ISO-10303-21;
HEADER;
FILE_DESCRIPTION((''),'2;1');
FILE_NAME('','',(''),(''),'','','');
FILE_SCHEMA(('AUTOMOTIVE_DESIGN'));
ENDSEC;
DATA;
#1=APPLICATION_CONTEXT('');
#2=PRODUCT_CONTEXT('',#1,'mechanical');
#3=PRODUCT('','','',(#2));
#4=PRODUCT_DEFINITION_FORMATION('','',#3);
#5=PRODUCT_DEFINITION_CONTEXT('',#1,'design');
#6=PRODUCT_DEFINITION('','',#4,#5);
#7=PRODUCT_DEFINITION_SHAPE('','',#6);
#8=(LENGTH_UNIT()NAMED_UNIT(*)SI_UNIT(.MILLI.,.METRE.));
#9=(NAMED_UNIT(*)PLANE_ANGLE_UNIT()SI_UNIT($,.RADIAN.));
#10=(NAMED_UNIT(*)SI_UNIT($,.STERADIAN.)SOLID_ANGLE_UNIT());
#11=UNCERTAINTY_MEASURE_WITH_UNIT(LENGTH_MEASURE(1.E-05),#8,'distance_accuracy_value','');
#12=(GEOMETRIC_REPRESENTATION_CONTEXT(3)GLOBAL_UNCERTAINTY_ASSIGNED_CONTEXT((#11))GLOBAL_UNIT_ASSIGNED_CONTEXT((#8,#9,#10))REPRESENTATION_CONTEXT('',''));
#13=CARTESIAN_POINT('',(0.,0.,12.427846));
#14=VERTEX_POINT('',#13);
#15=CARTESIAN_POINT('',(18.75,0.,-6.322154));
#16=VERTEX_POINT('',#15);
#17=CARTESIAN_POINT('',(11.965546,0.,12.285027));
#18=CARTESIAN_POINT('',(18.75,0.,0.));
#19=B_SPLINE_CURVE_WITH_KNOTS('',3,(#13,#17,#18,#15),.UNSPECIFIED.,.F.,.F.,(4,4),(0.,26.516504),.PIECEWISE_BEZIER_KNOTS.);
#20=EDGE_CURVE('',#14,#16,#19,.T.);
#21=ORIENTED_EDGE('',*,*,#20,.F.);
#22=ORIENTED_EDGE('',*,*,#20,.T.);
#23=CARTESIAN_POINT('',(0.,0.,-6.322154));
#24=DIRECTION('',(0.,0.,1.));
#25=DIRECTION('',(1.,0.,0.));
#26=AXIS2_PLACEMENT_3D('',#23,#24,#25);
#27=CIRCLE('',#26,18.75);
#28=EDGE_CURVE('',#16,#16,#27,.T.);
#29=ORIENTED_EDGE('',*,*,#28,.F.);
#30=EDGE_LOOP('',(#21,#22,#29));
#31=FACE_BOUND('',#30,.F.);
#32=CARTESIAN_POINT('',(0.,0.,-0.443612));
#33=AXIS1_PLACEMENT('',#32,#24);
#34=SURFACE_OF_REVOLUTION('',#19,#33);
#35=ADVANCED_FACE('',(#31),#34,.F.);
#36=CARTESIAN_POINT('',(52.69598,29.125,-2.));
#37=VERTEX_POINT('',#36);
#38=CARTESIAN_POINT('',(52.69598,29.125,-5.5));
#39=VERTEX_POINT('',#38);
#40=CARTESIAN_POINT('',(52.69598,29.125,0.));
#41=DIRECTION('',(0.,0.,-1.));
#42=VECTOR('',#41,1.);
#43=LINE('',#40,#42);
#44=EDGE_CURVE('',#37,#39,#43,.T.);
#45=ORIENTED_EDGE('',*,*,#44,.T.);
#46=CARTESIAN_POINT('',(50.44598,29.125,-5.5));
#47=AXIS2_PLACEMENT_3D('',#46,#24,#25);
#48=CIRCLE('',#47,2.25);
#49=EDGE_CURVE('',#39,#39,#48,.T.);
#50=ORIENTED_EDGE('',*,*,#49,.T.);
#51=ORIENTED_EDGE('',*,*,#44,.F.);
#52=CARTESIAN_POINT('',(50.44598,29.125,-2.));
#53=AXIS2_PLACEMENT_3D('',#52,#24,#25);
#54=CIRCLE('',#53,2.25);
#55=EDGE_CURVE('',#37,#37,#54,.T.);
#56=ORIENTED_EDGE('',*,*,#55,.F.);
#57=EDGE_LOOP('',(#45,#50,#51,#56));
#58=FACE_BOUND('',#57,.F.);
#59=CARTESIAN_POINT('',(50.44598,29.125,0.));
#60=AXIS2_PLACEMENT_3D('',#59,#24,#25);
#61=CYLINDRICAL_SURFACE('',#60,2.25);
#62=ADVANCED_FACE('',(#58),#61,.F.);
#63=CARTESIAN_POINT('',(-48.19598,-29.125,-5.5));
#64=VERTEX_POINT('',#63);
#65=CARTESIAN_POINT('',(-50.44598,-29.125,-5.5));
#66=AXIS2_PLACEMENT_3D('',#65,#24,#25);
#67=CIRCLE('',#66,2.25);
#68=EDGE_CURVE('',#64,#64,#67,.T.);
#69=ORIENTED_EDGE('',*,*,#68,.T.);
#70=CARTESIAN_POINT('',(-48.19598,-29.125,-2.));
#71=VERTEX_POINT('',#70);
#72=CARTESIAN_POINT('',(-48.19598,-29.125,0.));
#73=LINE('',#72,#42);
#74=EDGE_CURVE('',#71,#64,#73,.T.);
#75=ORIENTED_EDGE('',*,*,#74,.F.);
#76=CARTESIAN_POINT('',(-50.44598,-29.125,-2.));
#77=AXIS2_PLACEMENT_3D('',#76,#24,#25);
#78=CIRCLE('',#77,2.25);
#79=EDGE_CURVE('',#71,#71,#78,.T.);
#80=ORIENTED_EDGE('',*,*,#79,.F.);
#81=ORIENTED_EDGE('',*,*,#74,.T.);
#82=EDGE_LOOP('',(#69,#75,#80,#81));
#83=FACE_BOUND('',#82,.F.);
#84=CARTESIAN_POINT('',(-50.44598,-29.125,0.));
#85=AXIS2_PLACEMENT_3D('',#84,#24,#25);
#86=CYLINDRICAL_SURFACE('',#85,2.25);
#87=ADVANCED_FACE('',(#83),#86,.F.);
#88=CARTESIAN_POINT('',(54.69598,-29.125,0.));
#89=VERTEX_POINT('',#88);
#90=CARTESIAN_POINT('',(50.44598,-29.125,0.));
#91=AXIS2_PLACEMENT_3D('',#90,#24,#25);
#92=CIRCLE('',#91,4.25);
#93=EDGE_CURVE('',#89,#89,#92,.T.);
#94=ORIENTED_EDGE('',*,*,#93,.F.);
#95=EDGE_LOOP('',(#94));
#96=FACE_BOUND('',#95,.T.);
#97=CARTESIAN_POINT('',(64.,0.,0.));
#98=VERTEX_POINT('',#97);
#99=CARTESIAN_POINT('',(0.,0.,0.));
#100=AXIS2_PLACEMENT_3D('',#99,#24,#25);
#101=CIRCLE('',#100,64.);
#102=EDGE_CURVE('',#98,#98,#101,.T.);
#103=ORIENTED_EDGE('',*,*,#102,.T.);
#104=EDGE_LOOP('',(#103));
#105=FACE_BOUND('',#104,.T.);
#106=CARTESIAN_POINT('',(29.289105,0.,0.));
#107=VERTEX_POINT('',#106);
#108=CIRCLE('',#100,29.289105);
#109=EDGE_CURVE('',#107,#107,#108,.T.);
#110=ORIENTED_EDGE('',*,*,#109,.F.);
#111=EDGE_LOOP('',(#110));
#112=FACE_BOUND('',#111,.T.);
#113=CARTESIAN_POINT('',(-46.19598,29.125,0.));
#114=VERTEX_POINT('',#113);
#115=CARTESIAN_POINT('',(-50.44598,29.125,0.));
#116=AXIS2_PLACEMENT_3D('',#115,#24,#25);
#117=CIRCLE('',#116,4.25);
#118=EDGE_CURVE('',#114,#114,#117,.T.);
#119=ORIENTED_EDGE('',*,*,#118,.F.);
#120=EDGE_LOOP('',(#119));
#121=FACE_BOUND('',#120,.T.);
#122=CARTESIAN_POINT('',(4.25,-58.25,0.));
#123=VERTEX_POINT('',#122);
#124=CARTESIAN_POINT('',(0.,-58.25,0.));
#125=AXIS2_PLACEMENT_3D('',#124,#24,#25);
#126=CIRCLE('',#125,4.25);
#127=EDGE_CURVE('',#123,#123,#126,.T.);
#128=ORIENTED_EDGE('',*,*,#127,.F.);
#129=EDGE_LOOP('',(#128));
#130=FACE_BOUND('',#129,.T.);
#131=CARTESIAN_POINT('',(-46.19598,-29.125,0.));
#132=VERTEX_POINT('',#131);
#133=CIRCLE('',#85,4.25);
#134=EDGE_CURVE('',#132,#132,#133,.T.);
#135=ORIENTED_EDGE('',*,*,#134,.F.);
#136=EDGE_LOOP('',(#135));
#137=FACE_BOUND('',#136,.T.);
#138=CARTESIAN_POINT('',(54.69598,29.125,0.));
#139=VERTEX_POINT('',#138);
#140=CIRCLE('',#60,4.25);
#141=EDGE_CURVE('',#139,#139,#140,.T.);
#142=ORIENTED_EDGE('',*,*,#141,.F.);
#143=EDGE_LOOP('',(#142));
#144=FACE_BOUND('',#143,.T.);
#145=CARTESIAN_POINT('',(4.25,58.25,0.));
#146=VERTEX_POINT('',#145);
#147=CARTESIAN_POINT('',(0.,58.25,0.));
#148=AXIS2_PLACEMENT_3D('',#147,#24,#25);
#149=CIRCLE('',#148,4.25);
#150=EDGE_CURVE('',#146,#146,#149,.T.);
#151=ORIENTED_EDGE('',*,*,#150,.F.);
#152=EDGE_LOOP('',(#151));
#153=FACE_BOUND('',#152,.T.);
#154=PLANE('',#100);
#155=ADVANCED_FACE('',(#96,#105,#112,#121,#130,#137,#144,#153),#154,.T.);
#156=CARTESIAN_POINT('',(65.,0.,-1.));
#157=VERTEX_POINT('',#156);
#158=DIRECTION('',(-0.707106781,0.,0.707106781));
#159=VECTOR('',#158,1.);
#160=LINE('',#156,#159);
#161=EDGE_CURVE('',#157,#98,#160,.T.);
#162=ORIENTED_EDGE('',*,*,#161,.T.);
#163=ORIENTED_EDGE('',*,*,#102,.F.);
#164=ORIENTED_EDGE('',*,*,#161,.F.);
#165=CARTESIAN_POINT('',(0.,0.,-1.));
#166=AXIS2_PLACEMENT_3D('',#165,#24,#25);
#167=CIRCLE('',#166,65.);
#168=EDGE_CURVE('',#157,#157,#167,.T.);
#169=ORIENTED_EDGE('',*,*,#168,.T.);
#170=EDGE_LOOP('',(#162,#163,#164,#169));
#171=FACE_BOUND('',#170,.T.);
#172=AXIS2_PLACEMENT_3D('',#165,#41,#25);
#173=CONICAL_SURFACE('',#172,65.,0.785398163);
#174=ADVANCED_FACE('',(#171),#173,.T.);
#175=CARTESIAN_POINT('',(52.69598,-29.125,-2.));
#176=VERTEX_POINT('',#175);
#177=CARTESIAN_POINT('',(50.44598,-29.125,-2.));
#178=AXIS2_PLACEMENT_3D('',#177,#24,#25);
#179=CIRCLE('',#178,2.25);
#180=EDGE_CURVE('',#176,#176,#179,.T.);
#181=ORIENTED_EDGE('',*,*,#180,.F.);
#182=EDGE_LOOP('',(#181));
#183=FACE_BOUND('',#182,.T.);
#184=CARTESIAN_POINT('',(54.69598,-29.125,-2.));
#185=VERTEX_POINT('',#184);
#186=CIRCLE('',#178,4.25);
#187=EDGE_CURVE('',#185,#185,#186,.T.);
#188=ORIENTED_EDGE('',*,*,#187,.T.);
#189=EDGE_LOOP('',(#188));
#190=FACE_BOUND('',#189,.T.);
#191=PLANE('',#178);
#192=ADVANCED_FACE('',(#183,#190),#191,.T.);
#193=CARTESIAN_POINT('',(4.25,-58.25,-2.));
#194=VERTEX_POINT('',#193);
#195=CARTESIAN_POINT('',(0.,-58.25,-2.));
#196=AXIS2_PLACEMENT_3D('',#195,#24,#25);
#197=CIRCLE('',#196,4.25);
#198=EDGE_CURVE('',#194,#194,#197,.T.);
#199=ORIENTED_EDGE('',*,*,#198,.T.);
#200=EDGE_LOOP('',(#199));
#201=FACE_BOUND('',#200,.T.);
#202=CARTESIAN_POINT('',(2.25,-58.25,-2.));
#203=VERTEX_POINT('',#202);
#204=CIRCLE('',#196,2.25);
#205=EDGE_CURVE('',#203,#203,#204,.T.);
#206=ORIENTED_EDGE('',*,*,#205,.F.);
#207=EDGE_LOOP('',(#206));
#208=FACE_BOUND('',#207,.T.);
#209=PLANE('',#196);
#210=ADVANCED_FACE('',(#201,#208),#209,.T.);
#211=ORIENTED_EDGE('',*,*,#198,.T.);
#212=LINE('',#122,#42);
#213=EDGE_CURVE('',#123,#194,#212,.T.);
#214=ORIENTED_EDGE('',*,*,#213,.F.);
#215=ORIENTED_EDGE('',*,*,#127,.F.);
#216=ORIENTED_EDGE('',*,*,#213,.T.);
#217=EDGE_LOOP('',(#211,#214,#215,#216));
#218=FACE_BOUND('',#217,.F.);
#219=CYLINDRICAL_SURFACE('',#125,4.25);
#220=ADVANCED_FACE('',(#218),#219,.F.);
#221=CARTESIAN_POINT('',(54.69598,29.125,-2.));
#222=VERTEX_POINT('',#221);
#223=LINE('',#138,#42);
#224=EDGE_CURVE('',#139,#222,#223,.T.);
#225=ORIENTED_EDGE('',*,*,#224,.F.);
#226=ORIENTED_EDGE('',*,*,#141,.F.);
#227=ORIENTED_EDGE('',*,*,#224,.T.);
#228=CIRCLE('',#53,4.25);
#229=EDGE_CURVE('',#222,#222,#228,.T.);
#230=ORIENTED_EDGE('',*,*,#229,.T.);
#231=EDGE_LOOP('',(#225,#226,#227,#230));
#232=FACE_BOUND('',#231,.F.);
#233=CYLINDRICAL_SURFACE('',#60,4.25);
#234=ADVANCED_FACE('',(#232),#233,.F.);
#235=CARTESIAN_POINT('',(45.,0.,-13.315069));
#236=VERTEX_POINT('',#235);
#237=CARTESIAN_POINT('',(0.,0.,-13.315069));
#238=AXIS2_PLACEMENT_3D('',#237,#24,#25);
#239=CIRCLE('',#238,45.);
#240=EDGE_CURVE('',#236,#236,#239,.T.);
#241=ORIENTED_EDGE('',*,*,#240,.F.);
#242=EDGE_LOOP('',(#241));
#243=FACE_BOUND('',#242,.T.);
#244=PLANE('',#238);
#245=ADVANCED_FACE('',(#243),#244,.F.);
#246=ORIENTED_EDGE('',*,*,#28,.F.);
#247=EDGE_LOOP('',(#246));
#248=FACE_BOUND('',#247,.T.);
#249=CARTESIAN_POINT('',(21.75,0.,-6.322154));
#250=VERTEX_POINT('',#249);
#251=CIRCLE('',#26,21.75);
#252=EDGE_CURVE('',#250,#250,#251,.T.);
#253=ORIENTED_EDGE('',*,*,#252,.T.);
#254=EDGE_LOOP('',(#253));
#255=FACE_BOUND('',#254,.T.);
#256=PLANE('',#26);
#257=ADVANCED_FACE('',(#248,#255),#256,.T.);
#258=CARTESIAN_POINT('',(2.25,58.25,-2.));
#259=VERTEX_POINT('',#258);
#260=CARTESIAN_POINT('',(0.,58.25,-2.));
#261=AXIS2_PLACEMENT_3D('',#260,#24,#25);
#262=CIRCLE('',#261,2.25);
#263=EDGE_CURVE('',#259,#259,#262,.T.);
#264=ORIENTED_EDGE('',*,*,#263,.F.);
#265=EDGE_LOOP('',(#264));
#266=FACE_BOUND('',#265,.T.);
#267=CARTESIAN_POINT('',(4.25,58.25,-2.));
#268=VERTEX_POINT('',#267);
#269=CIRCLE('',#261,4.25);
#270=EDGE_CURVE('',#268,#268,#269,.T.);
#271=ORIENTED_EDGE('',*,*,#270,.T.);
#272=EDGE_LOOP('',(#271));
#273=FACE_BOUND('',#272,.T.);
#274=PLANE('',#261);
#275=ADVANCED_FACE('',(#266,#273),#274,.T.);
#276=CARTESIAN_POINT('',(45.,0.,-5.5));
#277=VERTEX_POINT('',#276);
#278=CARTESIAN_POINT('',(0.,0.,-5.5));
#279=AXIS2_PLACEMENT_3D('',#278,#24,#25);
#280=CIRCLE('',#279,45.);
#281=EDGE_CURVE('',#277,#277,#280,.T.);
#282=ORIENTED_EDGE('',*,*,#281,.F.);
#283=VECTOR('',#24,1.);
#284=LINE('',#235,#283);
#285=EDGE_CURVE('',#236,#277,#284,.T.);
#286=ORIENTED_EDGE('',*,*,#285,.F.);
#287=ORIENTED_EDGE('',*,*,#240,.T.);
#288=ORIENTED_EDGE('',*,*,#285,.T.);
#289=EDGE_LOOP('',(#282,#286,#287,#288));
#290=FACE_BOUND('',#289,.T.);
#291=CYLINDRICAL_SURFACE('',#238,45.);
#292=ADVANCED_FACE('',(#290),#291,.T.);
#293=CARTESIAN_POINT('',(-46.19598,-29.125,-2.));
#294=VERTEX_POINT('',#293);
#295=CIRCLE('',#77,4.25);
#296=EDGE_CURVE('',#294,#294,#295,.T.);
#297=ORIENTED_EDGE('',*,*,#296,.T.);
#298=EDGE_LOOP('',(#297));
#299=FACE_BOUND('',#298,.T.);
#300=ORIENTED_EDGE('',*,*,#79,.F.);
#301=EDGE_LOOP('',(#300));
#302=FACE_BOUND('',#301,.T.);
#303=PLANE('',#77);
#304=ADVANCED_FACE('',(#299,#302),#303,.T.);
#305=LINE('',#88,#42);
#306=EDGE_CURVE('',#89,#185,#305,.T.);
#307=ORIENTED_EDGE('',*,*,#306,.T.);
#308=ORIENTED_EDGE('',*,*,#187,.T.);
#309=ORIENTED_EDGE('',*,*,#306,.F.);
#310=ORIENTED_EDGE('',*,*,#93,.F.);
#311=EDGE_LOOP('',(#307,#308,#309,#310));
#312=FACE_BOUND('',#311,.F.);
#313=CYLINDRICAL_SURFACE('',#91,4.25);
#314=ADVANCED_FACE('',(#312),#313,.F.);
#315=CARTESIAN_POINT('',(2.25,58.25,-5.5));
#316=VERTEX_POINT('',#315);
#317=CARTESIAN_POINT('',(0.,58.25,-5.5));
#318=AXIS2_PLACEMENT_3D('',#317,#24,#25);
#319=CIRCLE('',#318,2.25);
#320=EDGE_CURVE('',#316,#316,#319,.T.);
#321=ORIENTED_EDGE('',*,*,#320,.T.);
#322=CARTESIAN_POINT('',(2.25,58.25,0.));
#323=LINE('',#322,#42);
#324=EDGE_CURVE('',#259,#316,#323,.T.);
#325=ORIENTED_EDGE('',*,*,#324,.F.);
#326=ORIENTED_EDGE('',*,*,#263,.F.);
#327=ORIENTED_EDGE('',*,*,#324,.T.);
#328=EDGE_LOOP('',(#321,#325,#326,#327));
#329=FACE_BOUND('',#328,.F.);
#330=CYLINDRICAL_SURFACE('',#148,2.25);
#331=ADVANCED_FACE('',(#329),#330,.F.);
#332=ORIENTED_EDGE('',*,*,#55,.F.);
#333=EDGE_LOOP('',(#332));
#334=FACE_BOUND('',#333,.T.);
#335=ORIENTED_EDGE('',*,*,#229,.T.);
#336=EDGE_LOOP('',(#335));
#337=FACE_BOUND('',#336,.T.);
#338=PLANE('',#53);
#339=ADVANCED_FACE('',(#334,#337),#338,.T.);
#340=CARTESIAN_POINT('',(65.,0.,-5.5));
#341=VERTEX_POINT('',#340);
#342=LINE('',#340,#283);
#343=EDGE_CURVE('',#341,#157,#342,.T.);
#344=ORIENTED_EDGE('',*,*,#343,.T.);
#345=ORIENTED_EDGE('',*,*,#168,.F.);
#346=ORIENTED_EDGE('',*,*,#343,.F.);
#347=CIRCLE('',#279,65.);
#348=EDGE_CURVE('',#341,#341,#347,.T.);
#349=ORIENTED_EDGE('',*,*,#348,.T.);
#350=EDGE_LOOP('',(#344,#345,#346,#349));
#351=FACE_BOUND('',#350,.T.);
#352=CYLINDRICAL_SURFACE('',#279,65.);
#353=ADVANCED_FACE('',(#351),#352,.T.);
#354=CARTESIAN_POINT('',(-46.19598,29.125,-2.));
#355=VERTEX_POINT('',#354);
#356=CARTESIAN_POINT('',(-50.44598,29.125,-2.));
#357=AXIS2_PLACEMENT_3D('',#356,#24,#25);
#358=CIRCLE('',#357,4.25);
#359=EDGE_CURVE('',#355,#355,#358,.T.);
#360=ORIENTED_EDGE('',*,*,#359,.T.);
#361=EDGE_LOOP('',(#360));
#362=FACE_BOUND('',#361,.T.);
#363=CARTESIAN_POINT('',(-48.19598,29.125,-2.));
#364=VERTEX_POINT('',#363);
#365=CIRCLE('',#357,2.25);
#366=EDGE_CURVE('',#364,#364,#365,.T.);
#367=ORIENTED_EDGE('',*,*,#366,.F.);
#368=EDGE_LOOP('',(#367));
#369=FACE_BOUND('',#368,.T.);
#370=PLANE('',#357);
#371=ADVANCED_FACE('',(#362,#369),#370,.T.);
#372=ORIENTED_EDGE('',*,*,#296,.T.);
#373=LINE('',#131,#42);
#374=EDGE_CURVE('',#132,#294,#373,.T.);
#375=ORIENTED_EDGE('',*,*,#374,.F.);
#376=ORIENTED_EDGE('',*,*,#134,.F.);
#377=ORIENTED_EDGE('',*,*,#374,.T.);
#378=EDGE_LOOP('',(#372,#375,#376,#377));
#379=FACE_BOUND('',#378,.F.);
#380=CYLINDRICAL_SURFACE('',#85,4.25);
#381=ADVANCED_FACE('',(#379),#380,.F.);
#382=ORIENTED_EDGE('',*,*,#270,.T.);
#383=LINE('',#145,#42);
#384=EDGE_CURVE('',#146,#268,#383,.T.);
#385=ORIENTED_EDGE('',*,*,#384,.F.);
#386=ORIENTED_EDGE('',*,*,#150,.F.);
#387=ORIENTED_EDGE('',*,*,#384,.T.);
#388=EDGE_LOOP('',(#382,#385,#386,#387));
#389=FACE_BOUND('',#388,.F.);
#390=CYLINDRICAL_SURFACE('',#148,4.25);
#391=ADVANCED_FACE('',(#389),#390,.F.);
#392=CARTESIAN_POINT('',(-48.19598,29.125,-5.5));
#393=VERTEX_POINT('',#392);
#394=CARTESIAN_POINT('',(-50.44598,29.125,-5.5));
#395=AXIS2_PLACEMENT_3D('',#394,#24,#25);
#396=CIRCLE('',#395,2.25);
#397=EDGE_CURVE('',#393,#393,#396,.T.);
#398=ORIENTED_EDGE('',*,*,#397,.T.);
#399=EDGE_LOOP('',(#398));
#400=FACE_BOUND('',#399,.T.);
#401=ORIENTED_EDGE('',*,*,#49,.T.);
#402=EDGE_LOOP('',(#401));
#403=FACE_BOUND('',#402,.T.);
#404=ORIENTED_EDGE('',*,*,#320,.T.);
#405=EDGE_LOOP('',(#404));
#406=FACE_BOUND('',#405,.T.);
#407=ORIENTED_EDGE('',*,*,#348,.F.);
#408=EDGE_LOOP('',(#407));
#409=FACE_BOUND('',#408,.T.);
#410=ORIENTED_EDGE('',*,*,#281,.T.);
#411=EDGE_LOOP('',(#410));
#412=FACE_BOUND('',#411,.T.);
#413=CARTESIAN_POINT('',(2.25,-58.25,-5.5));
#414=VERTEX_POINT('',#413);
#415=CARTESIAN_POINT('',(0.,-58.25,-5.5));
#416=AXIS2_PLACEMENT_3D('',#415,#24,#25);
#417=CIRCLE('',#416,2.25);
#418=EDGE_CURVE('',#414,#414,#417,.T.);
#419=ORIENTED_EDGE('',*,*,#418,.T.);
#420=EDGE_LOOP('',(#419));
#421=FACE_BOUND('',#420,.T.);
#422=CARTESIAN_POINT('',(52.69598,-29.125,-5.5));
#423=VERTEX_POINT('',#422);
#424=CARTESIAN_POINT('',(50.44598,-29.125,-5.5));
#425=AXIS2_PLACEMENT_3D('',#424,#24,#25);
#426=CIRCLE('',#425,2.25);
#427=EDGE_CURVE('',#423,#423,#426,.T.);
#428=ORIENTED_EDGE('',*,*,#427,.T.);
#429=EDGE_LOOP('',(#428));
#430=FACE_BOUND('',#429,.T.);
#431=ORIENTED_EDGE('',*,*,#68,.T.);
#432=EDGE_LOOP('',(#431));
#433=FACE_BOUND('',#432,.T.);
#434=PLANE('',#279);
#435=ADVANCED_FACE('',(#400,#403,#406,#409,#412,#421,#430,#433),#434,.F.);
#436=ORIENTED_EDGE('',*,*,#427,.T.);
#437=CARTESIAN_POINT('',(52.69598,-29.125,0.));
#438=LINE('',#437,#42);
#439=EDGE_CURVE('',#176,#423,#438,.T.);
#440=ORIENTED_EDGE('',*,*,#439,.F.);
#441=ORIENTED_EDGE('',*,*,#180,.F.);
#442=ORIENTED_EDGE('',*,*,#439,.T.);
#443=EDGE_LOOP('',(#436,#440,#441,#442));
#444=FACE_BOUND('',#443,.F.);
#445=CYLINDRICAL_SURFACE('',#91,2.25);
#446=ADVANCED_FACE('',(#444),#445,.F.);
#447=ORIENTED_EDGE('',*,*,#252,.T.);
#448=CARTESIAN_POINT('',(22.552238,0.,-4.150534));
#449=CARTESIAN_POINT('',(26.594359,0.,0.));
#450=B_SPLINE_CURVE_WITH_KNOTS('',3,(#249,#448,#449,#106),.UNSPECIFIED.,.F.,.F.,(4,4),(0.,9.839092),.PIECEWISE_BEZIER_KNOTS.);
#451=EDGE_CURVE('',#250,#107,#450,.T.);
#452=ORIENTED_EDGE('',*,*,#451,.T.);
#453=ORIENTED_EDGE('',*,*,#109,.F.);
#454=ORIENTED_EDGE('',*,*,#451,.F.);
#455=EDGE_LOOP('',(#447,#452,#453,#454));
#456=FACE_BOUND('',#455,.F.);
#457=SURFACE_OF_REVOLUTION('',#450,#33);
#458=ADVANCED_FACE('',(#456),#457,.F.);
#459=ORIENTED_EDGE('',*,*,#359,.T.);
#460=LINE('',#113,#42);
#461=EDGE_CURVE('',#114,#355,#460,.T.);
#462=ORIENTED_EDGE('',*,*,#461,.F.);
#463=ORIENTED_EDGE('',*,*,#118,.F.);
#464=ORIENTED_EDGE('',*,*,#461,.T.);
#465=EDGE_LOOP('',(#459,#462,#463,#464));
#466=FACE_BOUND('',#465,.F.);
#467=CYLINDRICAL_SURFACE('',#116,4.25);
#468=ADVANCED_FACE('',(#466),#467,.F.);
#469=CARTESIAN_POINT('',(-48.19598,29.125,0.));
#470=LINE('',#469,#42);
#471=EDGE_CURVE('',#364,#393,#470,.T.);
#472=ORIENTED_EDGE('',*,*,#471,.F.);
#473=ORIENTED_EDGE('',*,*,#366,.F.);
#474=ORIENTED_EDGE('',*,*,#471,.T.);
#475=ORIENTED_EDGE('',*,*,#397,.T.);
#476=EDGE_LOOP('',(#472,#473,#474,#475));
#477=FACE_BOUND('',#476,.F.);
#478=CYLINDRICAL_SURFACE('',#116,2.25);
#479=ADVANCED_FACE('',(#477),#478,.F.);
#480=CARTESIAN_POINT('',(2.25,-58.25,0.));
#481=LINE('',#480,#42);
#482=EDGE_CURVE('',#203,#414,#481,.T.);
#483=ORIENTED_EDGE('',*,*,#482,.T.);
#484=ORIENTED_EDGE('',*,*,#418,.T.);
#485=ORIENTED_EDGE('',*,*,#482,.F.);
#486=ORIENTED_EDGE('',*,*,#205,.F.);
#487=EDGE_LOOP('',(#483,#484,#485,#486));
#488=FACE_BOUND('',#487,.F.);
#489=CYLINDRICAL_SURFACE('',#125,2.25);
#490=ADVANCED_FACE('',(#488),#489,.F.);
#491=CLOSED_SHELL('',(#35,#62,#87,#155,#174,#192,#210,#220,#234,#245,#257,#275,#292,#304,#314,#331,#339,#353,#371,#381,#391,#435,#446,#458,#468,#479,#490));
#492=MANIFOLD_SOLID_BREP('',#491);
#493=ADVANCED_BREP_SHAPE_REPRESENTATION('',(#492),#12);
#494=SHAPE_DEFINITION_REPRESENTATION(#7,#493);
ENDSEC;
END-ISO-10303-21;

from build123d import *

# Parameters (mm, degrees)
F2_R     = 2.25
F3_DEPTH = 25
F2_R_2   = 4.25
F4_DEPTH = 2
F5_SIZE  = 1


with BuildPart() as f1:
    # F0 (on Front) → F1 (revolve)
    with BuildSketch(Plane.XZ):
        with BuildLine():
            Line((65, -5.5), (65, 0))
            Line((65, 0), (29.289105, 0))
            add(Edge.make_bspline(
                [(21.75, -6.322154), (22.552238, -4.150534), (26.594359, 0), (29.289105, 0)],
                knots=[0, 0, 0, 0, 9.839092, 9.839092, 9.839092, 9.839092], degree=3))
            Line((21.75, -6.322154), (18.75, -6.322154))
            add(Edge.make_bspline(
                [(0, 12.427846), (11.965546, 12.285027), (18.75, 0), (18.75, -6.322154)],
                knots=[0, 0, 0, 0, 26.516504, 26.516504, 26.516504, 26.516504], degree=3))
            Line((0, 12.427846), (0, -13.315069))
            Line((0, -13.315069), (45, -13.315069))
            Line((45, -13.315069), (45, -5.5))
            Line((45, -5.5), (65, -5.5))
        make_face()
    revolve(axis=Axis((0, 0, -0.443612), (0, 0, 1)))

    # F2 (on face) → F3 (cut)
    with BuildSketch(Plane.XY):
        with Locations((-50.44598, 29.125)):
            Circle(F2_R)
        with Locations((0, 58.25)):
            Circle(F2_R)
        with Locations((50.44598, 29.125)):
            Circle(F2_R)
        with Locations((50.44598, -29.125)):
            Circle(F2_R)
        with Locations((0, -58.25)):
            Circle(F2_R)
        with Locations((-50.44598, -29.125)):
            Circle(F2_R)
    extrude(amount=-F3_DEPTH, mode=Mode.SUBTRACT)

    # F2 (on face) → F4 (cut)
    with BuildSketch(Plane.XY):
        with Locations((-50.44598, 29.125)):
            Circle(F2_R_2)
        with Locations((-50.44598, 29.125)):
            Circle(F2_R, mode=Mode.SUBTRACT)
        with Locations((0, 58.25)):
            Circle(F2_R_2)
        with Locations((0, 58.25)):
            Circle(F2_R, mode=Mode.SUBTRACT)
        with Locations((50.44598, 29.125)):
            Circle(F2_R_2)
        with Locations((50.44598, 29.125)):
            Circle(F2_R, mode=Mode.SUBTRACT)
        with Locations((50.44598, -29.125)):
            Circle(F2_R_2)
        with Locations((50.44598, -29.125)):
            Circle(F2_R, mode=Mode.SUBTRACT)
        with Locations((0, -58.25)):
            Circle(F2_R_2)
        with Locations((0, -58.25)):
            Circle(F2_R, mode=Mode.SUBTRACT)
        with Locations((-50.44598, -29.125)):
            Circle(F2_R_2)
        with Locations((-50.44598, -29.125)):
            Circle(F2_R, mode=Mode.SUBTRACT)
    extrude(amount=-F4_DEPTH, mode=Mode.SUBTRACT)

    # F5
    f5_edges = [f1.edges().sort_by_distance(p)[0] for p in [
        (-65, 0, 0),
    ]]
    chamfer(f5_edges, length=F5_SIZE)


solid = f1.part
